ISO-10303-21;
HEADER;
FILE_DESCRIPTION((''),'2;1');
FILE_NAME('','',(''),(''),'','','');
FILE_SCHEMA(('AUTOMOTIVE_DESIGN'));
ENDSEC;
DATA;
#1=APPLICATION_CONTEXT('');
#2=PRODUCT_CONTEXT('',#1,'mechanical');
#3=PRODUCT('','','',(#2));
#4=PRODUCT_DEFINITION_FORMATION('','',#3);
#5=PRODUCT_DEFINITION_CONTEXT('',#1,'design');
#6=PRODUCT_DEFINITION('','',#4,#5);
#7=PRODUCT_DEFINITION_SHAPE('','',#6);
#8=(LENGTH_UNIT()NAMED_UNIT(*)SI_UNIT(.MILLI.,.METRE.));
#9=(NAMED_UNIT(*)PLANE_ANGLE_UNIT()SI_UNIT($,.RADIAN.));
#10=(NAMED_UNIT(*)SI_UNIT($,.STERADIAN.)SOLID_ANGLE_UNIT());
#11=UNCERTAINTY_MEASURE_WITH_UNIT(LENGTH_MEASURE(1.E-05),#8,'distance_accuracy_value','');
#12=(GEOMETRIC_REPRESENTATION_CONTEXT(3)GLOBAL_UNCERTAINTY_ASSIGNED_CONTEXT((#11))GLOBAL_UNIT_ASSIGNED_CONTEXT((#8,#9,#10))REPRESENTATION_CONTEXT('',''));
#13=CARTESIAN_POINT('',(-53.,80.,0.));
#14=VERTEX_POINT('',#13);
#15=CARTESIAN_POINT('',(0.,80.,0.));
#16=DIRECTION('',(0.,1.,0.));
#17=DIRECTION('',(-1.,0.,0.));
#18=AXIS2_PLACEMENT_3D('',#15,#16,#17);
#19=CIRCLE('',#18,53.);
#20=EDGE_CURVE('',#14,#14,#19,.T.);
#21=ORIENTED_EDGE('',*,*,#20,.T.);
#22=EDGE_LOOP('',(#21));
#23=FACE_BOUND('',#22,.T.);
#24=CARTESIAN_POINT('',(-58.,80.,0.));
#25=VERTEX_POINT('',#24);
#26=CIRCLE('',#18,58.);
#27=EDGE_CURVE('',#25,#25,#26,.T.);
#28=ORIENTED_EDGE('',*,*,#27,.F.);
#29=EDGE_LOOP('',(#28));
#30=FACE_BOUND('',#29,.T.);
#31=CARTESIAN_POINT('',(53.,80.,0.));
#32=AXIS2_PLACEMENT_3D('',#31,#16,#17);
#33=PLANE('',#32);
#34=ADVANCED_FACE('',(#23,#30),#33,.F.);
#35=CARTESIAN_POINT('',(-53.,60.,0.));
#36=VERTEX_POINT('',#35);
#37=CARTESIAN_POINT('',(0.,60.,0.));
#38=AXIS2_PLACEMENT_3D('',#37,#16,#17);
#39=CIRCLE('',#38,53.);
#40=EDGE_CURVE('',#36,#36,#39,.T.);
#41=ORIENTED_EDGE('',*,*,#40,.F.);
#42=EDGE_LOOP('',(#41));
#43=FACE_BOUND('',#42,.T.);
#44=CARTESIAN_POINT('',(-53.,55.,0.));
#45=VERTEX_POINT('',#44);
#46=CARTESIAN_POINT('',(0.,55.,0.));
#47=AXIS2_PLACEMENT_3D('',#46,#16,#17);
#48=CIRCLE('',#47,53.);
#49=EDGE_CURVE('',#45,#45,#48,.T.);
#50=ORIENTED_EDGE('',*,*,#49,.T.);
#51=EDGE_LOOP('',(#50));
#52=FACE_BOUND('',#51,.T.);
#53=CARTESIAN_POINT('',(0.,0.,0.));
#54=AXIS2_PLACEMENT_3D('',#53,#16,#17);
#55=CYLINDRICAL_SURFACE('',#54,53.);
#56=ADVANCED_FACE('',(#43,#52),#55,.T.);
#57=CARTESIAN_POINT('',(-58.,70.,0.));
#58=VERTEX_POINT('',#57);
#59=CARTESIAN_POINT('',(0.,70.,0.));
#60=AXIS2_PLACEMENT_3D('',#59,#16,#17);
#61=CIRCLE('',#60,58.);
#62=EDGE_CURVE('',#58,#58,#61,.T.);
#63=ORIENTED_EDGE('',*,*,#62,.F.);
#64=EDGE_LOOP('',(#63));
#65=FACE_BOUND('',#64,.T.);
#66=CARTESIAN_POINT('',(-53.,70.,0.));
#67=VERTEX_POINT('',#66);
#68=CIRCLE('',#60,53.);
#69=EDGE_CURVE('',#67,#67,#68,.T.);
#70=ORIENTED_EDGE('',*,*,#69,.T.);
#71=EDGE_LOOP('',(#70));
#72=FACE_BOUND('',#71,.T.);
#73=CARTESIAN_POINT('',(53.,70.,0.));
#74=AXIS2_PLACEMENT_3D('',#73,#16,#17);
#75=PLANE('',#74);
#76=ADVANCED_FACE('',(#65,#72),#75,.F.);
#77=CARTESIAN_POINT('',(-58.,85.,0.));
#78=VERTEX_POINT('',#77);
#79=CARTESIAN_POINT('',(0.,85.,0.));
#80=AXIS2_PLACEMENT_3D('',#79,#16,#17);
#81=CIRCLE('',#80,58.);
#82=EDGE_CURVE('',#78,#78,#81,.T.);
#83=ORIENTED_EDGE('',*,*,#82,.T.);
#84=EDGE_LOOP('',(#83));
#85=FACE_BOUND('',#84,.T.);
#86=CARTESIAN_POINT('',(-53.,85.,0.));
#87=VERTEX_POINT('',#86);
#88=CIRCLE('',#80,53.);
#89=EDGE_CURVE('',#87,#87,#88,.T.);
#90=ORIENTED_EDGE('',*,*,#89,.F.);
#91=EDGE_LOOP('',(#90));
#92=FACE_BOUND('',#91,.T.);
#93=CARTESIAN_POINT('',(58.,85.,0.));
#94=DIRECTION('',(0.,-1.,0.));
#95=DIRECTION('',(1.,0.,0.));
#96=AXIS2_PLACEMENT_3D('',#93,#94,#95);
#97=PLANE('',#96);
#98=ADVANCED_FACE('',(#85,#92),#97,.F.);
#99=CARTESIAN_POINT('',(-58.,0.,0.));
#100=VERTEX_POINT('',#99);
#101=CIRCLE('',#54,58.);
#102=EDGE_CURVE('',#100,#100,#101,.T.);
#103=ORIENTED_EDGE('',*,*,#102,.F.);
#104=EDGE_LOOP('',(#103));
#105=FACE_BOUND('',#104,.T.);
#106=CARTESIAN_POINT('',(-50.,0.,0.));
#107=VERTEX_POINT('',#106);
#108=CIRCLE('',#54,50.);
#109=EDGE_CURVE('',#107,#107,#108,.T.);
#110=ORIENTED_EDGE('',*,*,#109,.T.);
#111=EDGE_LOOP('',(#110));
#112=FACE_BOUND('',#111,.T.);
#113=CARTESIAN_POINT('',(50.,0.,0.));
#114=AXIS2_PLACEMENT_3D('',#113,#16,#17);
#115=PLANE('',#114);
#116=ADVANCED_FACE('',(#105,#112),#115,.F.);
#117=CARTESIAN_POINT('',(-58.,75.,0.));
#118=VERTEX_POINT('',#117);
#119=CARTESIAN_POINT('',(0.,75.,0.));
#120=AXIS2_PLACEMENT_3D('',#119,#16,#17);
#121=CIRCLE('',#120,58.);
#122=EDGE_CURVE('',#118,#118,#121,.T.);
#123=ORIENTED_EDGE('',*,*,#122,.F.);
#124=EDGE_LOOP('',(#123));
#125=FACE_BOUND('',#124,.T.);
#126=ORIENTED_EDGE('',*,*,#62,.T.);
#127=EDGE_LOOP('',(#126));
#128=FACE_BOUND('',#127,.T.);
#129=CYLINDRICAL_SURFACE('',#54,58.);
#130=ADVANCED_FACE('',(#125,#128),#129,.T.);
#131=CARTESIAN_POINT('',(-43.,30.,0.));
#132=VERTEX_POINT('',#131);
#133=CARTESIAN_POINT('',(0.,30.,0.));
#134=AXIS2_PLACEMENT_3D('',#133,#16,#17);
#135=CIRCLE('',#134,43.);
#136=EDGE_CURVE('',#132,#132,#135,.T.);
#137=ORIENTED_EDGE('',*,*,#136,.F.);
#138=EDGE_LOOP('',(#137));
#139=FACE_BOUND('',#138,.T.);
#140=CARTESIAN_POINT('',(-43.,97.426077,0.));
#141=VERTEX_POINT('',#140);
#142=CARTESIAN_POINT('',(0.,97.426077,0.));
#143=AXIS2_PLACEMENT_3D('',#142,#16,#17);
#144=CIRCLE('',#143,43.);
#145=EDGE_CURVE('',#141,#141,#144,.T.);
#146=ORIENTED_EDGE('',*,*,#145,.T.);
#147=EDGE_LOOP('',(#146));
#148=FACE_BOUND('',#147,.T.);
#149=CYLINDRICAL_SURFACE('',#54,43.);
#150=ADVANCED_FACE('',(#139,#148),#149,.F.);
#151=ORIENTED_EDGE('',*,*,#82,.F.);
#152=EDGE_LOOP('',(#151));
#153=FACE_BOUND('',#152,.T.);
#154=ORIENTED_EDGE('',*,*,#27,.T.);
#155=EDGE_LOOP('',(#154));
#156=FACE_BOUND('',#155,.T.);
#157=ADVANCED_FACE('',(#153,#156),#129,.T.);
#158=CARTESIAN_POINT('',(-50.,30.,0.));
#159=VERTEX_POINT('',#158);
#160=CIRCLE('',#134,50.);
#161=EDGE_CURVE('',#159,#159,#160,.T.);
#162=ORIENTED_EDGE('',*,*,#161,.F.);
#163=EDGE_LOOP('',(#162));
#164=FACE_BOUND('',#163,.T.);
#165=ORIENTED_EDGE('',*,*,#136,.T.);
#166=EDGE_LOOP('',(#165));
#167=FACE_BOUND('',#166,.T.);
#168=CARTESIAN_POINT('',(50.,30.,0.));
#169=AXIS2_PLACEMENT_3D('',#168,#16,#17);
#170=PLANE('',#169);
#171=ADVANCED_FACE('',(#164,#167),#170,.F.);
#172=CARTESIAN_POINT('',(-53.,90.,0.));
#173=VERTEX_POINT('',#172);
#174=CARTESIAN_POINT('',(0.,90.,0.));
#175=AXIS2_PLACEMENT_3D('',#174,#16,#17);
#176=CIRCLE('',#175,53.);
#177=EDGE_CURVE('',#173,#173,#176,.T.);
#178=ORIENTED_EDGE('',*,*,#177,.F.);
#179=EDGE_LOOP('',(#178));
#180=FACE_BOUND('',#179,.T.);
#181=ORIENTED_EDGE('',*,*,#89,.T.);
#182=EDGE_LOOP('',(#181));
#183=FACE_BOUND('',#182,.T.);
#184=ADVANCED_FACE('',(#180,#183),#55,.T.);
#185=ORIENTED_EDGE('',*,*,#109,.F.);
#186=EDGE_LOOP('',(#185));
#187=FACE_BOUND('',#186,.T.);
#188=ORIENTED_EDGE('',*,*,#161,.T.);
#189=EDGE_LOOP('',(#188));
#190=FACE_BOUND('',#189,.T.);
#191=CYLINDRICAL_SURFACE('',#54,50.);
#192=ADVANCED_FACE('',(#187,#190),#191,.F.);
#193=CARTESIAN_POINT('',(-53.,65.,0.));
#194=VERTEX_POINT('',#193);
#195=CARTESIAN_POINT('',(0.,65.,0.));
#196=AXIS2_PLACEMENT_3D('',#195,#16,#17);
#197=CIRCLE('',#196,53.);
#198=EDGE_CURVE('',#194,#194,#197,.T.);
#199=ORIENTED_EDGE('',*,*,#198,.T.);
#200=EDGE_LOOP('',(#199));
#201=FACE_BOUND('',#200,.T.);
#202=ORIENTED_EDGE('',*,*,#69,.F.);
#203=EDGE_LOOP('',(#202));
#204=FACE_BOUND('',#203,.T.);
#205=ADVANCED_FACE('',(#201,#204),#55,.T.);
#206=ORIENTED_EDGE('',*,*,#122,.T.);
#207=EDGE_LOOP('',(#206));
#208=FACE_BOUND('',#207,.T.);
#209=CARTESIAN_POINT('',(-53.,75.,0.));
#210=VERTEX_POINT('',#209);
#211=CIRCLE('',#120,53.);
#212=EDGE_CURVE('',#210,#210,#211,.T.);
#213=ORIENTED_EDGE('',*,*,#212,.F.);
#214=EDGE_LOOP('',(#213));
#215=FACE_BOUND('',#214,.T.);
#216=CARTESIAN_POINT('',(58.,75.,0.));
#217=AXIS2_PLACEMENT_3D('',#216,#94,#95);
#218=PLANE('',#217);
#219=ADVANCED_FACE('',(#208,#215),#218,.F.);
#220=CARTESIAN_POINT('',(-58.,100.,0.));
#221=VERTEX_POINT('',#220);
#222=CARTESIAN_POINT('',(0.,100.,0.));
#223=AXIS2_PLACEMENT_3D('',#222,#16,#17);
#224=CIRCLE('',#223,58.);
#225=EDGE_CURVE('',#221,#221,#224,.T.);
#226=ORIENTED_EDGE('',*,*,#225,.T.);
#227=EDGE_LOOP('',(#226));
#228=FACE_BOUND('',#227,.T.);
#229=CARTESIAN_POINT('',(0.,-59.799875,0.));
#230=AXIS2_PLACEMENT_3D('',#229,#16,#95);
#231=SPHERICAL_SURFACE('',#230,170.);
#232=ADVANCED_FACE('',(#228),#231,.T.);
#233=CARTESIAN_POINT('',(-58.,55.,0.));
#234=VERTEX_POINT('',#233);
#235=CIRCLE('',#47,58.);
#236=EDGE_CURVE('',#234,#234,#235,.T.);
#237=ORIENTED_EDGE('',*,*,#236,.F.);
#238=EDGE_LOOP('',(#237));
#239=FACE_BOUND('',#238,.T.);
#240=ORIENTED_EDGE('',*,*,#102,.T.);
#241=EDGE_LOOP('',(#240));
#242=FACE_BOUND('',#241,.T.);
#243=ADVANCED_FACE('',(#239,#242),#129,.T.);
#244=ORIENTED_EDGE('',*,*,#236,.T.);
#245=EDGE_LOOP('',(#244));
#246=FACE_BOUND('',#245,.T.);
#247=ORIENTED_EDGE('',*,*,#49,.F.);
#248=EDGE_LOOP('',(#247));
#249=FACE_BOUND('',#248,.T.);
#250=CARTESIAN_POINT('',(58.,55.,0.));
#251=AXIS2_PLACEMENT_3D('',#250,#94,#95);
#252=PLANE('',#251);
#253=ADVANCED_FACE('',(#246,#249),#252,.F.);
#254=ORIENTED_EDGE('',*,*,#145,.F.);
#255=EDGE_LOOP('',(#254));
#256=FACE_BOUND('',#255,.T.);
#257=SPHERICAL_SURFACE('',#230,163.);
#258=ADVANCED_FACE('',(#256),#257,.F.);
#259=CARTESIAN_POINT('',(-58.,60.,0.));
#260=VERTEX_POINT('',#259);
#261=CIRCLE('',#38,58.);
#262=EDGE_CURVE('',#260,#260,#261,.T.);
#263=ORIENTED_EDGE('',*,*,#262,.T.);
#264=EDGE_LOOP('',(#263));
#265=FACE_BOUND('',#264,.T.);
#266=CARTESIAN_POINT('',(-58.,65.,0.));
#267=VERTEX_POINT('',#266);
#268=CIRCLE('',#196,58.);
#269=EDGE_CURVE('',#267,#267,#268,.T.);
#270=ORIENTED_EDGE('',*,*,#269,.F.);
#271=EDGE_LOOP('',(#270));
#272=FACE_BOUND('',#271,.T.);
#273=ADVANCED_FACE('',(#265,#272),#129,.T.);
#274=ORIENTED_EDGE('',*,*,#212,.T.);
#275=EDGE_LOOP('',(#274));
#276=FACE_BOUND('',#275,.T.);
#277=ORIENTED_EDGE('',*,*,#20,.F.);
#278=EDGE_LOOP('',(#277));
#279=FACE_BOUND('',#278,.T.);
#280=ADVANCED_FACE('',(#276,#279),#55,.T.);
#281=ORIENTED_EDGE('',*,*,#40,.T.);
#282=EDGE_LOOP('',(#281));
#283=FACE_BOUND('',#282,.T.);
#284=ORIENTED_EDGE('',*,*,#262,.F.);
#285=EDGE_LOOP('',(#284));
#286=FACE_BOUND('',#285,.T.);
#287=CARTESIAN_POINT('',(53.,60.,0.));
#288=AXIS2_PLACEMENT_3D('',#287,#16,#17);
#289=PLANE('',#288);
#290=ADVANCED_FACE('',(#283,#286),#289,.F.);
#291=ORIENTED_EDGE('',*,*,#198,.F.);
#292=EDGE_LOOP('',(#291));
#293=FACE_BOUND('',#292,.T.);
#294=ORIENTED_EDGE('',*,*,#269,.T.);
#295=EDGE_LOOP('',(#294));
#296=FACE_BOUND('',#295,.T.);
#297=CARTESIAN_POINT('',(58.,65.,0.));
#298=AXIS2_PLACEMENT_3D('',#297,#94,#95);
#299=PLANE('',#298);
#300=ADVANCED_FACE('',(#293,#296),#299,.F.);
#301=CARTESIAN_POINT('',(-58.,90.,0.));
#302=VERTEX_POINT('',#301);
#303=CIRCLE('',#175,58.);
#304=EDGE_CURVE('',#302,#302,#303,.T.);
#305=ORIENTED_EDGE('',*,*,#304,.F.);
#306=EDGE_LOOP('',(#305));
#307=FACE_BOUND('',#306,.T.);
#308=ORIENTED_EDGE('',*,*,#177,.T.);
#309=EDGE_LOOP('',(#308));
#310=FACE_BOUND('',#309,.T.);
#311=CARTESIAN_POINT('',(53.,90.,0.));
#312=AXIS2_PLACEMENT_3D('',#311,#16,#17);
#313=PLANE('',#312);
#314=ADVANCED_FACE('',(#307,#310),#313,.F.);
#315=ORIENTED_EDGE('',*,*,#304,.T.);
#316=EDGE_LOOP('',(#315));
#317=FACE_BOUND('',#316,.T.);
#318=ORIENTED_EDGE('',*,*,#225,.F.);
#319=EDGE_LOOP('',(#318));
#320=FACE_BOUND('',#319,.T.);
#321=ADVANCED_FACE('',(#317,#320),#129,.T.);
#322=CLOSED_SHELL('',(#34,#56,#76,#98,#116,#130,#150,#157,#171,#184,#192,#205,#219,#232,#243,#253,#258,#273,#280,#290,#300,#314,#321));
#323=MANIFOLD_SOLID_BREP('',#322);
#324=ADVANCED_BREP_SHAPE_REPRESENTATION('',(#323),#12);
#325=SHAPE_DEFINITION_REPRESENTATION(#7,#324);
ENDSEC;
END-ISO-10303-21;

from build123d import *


with BuildPart() as part:
    # Sketch1 → Revolve1 (revolve)
    with BuildSketch(Plane.XY, mode=Mode.PRIVATE) as revolve1_sk:
        with BuildLine():
            Line((50, 0), (58, 0))
            Line((58, 0), (58, 55))
            Line((58, 55), (53, 55))
            Line((53, 55), (53, 60))
            Line((53, 60), (58, 60))
            Line((58, 60), (58, 65))
            Line((58, 65), (53, 65))
            Line((53, 65), (53, 70))
            Line((53, 70), (58, 70))
            Line((58, 70), (58, 75))
            Line((58, 75), (53, 75))
            Line((53, 75), (53, 80))
            Line((53, 80), (58, 80))
            Line((58, 80), (58, 85))
            Line((58, 85), (53, 85))
            Line((53, 85), (53, 90))
            Line((53, 90), (58, 90))
            Line((58, 90), (58, 100))
            ThreePointArc((58, 100), (29.445044376, 107.630676018), (0, 110.200125156))
            Line((0, 110.200125156), (0, 103.200125156))
            ThreePointArc((0, 103.200125156), (21.692969078, 101.750164131), (43, 97.426077213))
            Line((43, 97.426077213), (43, 30))
            Line((43, 30), (50, 30))
            Line((50, 30), (50, 0))
        make_face()
    revolve(revolve1_sk.sketch.rotate(Axis((0, 0, 0), (0, -1, 0)), 180), axis=Axis((0, 0, 0), (0, -1, 0)))


solid = part.part
